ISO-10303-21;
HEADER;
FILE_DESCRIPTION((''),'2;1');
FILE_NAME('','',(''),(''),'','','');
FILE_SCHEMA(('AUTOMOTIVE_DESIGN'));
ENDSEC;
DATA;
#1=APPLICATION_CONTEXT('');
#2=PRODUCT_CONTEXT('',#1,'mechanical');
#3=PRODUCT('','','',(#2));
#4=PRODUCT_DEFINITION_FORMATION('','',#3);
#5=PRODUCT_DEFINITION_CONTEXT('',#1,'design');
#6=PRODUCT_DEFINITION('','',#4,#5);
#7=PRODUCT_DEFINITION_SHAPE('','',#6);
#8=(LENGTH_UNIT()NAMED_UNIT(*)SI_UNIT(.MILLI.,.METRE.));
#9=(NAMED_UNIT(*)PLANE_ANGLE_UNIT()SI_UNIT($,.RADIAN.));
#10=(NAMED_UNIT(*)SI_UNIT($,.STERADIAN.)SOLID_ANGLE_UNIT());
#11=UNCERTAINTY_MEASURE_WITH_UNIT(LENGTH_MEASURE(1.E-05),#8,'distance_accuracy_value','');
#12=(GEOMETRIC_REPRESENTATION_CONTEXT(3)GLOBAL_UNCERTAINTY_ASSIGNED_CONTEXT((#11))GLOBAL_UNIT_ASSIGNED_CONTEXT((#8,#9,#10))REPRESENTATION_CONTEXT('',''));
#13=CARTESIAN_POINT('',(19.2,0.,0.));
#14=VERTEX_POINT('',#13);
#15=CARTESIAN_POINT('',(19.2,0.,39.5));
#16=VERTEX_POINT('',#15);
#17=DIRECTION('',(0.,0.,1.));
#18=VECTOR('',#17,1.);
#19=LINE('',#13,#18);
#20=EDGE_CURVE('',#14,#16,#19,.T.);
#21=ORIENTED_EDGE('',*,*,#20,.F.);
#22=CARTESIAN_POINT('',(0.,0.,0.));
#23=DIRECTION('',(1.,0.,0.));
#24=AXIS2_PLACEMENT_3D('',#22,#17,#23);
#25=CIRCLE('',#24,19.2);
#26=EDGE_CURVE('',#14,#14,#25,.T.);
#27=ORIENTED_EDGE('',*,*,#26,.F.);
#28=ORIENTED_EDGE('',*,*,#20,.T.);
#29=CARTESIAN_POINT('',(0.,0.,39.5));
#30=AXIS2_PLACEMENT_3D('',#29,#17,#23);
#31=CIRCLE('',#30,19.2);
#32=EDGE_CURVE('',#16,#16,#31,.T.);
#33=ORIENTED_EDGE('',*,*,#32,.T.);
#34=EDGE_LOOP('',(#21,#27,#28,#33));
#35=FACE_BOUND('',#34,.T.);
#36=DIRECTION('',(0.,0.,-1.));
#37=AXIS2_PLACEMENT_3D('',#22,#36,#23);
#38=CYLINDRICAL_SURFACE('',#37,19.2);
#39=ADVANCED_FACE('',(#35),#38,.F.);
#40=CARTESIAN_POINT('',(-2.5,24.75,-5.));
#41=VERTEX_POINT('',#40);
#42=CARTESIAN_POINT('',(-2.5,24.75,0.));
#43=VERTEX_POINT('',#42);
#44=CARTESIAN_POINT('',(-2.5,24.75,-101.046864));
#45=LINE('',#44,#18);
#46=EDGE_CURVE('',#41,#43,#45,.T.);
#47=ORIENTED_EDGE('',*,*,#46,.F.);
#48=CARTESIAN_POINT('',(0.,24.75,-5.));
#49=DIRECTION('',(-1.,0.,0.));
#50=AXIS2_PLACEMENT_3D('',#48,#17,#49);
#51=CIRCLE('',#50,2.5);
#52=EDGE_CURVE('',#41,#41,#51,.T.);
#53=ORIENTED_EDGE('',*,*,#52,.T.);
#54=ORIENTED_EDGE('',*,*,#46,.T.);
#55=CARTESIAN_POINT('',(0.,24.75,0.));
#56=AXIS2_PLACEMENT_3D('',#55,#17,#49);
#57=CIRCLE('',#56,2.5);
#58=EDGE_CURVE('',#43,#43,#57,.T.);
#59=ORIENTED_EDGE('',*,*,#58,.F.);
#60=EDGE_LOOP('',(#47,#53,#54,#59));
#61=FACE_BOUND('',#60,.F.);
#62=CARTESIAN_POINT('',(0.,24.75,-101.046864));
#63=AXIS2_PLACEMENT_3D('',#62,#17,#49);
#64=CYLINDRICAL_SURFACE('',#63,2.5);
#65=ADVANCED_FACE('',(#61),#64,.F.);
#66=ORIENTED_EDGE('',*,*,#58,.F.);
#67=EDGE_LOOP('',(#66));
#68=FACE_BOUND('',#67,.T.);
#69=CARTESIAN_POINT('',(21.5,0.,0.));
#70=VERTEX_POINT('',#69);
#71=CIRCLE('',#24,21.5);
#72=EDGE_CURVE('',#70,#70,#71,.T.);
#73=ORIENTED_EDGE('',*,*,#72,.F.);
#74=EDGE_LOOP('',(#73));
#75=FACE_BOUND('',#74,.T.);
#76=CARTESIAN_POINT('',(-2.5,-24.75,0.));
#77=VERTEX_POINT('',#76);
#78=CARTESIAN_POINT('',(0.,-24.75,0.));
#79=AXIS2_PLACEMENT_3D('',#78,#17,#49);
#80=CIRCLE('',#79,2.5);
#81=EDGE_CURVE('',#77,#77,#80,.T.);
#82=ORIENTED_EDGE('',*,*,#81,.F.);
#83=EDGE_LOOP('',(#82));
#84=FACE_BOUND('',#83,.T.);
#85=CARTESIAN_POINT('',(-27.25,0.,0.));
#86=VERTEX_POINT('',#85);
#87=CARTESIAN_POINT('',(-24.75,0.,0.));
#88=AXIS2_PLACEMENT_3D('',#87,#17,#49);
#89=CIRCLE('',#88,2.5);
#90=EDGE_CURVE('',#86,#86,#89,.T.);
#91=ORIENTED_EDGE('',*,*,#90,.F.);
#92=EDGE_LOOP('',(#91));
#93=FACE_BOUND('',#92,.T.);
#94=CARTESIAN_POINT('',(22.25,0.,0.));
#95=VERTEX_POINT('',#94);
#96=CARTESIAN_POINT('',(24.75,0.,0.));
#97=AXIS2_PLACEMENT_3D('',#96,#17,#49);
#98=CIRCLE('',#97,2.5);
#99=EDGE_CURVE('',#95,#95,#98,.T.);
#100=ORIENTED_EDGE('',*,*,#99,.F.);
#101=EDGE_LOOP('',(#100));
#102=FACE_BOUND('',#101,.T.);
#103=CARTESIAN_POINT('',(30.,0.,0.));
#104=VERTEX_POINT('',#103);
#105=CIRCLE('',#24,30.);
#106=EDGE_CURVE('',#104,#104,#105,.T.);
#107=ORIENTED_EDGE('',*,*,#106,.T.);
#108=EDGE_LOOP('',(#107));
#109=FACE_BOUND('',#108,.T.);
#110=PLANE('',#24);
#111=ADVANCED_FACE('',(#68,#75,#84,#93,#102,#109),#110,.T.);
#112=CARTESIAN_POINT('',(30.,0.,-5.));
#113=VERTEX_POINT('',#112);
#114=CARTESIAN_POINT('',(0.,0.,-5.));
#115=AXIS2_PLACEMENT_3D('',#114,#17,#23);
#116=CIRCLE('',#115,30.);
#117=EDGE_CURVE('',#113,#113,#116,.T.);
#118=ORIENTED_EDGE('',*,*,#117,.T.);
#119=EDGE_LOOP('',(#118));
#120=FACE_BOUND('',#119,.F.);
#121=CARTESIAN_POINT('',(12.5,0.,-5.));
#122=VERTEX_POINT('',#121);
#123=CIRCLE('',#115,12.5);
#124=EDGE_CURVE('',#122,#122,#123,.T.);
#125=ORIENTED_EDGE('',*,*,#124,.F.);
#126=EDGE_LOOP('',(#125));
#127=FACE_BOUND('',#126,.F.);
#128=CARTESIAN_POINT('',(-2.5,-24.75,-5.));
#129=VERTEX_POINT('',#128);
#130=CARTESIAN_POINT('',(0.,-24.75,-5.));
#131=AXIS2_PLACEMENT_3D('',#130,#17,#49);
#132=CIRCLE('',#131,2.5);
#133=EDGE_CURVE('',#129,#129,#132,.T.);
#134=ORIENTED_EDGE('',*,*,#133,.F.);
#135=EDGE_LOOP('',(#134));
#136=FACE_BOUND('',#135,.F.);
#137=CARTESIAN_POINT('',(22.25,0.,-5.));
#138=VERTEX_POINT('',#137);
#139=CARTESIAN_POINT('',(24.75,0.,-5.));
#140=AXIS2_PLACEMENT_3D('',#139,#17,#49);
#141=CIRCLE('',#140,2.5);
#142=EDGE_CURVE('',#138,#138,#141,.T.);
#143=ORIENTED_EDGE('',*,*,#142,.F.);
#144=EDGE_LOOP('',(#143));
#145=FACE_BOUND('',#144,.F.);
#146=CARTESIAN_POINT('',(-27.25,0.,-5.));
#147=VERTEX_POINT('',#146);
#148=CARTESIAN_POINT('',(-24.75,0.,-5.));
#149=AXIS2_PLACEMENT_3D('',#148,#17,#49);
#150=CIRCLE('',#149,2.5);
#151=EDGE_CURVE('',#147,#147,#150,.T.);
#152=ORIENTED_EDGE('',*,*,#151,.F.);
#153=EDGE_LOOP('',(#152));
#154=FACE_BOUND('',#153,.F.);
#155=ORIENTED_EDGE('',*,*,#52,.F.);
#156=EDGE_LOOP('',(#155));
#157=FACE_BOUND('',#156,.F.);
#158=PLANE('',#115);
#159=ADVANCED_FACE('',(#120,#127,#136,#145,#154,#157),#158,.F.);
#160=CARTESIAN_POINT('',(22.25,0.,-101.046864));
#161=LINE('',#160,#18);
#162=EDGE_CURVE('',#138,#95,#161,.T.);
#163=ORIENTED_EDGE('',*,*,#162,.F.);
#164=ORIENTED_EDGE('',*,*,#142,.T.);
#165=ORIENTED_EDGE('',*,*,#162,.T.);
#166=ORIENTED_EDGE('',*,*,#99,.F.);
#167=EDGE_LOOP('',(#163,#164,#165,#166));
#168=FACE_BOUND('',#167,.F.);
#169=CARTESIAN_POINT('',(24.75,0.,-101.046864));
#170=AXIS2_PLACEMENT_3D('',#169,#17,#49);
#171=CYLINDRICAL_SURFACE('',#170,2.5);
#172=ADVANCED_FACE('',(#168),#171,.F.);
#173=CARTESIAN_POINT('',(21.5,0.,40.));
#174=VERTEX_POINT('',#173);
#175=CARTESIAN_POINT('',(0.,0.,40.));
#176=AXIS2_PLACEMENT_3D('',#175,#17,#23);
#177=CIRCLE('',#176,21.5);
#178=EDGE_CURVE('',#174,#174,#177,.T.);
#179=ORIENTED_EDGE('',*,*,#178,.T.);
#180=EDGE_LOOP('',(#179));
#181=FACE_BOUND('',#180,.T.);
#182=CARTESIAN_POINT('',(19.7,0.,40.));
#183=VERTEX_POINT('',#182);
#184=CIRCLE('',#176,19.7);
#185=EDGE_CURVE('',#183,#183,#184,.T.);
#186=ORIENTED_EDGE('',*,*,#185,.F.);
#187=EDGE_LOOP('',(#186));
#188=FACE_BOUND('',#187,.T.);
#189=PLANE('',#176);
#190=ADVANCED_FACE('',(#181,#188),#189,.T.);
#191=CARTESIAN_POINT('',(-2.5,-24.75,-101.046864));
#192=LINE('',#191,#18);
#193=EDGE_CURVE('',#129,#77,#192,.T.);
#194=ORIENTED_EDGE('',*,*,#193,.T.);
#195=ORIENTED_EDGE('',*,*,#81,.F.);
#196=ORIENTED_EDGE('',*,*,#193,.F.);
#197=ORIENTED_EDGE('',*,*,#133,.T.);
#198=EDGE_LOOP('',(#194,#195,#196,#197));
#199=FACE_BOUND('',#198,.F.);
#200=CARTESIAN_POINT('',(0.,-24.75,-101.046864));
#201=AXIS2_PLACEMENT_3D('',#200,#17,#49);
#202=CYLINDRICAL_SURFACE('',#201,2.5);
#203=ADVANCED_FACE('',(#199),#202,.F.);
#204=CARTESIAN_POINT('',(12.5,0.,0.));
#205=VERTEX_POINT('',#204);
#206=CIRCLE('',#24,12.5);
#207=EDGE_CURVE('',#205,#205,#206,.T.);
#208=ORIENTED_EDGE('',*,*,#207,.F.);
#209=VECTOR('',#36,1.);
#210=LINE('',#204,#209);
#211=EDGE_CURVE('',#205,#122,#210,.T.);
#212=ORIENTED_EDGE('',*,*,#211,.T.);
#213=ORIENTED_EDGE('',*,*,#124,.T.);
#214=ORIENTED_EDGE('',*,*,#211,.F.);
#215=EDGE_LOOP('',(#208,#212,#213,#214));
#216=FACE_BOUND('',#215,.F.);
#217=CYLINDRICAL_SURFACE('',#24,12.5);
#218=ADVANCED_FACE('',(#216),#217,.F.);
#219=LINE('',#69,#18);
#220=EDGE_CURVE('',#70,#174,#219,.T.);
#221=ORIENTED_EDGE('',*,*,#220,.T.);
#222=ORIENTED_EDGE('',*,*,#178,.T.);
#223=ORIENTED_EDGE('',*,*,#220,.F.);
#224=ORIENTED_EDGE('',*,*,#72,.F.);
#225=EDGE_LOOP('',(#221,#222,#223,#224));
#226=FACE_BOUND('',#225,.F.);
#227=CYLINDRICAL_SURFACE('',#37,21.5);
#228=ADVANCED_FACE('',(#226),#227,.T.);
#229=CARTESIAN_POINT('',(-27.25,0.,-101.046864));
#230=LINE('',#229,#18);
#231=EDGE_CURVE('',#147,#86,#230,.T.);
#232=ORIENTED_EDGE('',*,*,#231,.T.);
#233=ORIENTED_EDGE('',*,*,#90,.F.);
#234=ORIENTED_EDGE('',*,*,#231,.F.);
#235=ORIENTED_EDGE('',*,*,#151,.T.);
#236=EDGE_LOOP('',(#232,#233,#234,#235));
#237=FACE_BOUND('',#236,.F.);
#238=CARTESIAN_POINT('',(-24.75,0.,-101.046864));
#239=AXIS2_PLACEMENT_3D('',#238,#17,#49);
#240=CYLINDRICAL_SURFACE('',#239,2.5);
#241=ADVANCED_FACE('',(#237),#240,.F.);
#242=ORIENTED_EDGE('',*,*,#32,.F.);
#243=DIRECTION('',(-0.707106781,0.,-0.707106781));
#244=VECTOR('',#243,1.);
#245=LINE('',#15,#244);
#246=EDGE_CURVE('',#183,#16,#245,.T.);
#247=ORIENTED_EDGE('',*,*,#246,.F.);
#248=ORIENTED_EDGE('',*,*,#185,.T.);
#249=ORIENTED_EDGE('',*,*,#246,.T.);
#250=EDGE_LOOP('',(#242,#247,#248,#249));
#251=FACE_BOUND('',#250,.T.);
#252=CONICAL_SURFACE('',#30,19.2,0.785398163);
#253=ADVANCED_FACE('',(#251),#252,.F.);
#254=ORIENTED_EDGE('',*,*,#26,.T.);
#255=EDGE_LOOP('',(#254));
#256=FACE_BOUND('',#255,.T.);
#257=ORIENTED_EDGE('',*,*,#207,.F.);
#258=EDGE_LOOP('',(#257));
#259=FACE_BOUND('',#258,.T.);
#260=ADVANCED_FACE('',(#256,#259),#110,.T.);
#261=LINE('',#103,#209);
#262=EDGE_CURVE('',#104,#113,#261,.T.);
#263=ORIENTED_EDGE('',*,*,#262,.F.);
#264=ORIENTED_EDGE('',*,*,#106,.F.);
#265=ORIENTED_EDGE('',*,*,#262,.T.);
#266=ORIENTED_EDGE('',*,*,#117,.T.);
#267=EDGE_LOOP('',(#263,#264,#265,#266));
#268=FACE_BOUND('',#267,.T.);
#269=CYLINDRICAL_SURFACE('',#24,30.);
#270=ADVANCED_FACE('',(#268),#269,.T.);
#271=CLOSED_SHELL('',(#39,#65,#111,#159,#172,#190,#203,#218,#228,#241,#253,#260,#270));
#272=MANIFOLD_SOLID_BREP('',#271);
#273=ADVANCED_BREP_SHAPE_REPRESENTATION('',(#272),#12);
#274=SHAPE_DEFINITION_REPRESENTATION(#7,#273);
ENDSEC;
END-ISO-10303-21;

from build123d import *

# Parameters (mm, degrees)
F0_R     = 21.5
F0_R_2   = 19.2
F1_DEPTH = 40
F2_R     = 30
F2_R_2   = 12.5
F3_DEPTH = 5
F5_D     = 5
F6_SIZE  = 0.5


with BuildPart() as f1:
    # F0 (on Top) → F1 (new body)
    with BuildSketch(Plane.XY):
        Circle(F0_R)
        Circle(F0_R_2, mode=Mode.SUBTRACT)
    extrude(amount=F1_DEPTH)

    # F2 (on Top) → F3 (join)
    with BuildSketch(Plane.XY):
        Circle(F2_R)
        Circle(F2_R_2, mode=Mode.SUBTRACT)
    extrude(amount=-F3_DEPTH)

    # F5 (through all)
    with Locations(Plane(origin=(0, 0, -5), x_dir=(1, 0, 0), z_dir=(0, 0, -1))):
        with Locations((-24.75, 0), (0, 24.75), (24.75, 0), (0, -24.75)):
            Hole(F5_D / 2)

    # F6
    f6_edges = [f1.edges().sort_by_distance(p)[0] for p in [
        (-19.2, 0, 40),
    ]]
    chamfer(f6_edges, length=F6_SIZE)


solid = f1.part
